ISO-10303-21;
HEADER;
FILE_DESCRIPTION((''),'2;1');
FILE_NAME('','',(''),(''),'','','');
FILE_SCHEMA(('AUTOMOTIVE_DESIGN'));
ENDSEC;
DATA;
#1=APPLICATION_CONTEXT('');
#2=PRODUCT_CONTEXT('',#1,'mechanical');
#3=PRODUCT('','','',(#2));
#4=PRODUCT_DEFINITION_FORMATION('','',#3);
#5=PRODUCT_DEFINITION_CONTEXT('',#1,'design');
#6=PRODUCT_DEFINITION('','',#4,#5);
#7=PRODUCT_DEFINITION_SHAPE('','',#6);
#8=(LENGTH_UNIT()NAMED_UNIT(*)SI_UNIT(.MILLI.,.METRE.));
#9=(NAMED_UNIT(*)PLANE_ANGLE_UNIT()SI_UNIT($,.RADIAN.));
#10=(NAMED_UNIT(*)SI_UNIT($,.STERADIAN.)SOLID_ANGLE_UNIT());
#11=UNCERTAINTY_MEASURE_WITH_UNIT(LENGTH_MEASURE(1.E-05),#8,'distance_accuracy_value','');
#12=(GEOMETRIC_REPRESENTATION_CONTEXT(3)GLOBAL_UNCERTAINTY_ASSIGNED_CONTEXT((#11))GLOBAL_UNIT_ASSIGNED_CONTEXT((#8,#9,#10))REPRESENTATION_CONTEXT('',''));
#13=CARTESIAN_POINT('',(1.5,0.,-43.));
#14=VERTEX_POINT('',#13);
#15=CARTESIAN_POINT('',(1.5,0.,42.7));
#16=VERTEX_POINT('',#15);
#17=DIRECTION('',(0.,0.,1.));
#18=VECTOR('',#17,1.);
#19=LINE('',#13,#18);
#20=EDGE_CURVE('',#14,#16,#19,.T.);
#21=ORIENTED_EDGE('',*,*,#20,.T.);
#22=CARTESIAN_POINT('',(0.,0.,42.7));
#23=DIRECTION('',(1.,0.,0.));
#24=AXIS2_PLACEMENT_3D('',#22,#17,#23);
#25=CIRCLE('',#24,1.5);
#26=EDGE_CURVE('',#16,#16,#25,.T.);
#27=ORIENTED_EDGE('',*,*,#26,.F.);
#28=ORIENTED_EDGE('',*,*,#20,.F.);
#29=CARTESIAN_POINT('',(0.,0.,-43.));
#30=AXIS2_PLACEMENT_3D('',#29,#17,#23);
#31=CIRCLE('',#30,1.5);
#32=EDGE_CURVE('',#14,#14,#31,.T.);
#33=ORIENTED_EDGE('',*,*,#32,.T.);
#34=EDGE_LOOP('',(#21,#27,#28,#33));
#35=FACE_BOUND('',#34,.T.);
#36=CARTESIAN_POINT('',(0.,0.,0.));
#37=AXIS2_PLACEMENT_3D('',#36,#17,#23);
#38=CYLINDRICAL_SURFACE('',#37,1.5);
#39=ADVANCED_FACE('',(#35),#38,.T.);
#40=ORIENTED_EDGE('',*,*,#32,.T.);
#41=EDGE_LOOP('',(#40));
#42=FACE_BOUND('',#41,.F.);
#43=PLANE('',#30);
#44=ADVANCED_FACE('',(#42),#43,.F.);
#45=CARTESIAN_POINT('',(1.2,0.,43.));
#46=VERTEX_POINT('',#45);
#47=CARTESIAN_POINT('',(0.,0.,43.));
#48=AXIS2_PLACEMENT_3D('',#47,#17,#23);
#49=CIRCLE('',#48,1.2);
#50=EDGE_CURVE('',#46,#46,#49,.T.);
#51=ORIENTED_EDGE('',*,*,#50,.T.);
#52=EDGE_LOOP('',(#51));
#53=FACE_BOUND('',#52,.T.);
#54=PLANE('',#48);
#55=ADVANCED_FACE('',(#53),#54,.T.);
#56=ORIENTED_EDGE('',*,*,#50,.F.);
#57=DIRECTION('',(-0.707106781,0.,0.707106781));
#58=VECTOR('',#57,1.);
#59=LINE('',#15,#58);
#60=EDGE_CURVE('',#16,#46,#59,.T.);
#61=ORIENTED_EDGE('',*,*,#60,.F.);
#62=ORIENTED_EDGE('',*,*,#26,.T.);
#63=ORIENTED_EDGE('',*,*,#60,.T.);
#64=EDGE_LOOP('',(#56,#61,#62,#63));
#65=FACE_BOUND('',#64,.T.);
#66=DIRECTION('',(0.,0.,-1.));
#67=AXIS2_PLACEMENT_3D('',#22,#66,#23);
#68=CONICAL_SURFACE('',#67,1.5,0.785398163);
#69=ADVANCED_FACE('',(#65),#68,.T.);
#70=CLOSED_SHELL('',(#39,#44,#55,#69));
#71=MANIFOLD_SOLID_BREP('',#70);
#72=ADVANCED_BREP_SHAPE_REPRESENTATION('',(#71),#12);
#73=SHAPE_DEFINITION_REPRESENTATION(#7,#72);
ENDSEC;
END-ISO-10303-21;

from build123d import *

# Parameters (mm, degrees)
F0_R     = 1.5
F1_DEPTH = 43
F2_SIZE  = 0.3


with BuildPart() as f1:
    # F0 (on Top) → F1 (new body, symmetric)
    with BuildSketch(Plane.XY):
        Circle(F0_R)
    extrude(amount=F1_DEPTH, both=True)

    # F2
    f2_edges = [f1.edges().sort_by_distance(p)[0] for p in [
        (-1.5, 0, 43),
    ]]
    chamfer(f2_edges, length=F2_SIZE)


solid = f1.part
